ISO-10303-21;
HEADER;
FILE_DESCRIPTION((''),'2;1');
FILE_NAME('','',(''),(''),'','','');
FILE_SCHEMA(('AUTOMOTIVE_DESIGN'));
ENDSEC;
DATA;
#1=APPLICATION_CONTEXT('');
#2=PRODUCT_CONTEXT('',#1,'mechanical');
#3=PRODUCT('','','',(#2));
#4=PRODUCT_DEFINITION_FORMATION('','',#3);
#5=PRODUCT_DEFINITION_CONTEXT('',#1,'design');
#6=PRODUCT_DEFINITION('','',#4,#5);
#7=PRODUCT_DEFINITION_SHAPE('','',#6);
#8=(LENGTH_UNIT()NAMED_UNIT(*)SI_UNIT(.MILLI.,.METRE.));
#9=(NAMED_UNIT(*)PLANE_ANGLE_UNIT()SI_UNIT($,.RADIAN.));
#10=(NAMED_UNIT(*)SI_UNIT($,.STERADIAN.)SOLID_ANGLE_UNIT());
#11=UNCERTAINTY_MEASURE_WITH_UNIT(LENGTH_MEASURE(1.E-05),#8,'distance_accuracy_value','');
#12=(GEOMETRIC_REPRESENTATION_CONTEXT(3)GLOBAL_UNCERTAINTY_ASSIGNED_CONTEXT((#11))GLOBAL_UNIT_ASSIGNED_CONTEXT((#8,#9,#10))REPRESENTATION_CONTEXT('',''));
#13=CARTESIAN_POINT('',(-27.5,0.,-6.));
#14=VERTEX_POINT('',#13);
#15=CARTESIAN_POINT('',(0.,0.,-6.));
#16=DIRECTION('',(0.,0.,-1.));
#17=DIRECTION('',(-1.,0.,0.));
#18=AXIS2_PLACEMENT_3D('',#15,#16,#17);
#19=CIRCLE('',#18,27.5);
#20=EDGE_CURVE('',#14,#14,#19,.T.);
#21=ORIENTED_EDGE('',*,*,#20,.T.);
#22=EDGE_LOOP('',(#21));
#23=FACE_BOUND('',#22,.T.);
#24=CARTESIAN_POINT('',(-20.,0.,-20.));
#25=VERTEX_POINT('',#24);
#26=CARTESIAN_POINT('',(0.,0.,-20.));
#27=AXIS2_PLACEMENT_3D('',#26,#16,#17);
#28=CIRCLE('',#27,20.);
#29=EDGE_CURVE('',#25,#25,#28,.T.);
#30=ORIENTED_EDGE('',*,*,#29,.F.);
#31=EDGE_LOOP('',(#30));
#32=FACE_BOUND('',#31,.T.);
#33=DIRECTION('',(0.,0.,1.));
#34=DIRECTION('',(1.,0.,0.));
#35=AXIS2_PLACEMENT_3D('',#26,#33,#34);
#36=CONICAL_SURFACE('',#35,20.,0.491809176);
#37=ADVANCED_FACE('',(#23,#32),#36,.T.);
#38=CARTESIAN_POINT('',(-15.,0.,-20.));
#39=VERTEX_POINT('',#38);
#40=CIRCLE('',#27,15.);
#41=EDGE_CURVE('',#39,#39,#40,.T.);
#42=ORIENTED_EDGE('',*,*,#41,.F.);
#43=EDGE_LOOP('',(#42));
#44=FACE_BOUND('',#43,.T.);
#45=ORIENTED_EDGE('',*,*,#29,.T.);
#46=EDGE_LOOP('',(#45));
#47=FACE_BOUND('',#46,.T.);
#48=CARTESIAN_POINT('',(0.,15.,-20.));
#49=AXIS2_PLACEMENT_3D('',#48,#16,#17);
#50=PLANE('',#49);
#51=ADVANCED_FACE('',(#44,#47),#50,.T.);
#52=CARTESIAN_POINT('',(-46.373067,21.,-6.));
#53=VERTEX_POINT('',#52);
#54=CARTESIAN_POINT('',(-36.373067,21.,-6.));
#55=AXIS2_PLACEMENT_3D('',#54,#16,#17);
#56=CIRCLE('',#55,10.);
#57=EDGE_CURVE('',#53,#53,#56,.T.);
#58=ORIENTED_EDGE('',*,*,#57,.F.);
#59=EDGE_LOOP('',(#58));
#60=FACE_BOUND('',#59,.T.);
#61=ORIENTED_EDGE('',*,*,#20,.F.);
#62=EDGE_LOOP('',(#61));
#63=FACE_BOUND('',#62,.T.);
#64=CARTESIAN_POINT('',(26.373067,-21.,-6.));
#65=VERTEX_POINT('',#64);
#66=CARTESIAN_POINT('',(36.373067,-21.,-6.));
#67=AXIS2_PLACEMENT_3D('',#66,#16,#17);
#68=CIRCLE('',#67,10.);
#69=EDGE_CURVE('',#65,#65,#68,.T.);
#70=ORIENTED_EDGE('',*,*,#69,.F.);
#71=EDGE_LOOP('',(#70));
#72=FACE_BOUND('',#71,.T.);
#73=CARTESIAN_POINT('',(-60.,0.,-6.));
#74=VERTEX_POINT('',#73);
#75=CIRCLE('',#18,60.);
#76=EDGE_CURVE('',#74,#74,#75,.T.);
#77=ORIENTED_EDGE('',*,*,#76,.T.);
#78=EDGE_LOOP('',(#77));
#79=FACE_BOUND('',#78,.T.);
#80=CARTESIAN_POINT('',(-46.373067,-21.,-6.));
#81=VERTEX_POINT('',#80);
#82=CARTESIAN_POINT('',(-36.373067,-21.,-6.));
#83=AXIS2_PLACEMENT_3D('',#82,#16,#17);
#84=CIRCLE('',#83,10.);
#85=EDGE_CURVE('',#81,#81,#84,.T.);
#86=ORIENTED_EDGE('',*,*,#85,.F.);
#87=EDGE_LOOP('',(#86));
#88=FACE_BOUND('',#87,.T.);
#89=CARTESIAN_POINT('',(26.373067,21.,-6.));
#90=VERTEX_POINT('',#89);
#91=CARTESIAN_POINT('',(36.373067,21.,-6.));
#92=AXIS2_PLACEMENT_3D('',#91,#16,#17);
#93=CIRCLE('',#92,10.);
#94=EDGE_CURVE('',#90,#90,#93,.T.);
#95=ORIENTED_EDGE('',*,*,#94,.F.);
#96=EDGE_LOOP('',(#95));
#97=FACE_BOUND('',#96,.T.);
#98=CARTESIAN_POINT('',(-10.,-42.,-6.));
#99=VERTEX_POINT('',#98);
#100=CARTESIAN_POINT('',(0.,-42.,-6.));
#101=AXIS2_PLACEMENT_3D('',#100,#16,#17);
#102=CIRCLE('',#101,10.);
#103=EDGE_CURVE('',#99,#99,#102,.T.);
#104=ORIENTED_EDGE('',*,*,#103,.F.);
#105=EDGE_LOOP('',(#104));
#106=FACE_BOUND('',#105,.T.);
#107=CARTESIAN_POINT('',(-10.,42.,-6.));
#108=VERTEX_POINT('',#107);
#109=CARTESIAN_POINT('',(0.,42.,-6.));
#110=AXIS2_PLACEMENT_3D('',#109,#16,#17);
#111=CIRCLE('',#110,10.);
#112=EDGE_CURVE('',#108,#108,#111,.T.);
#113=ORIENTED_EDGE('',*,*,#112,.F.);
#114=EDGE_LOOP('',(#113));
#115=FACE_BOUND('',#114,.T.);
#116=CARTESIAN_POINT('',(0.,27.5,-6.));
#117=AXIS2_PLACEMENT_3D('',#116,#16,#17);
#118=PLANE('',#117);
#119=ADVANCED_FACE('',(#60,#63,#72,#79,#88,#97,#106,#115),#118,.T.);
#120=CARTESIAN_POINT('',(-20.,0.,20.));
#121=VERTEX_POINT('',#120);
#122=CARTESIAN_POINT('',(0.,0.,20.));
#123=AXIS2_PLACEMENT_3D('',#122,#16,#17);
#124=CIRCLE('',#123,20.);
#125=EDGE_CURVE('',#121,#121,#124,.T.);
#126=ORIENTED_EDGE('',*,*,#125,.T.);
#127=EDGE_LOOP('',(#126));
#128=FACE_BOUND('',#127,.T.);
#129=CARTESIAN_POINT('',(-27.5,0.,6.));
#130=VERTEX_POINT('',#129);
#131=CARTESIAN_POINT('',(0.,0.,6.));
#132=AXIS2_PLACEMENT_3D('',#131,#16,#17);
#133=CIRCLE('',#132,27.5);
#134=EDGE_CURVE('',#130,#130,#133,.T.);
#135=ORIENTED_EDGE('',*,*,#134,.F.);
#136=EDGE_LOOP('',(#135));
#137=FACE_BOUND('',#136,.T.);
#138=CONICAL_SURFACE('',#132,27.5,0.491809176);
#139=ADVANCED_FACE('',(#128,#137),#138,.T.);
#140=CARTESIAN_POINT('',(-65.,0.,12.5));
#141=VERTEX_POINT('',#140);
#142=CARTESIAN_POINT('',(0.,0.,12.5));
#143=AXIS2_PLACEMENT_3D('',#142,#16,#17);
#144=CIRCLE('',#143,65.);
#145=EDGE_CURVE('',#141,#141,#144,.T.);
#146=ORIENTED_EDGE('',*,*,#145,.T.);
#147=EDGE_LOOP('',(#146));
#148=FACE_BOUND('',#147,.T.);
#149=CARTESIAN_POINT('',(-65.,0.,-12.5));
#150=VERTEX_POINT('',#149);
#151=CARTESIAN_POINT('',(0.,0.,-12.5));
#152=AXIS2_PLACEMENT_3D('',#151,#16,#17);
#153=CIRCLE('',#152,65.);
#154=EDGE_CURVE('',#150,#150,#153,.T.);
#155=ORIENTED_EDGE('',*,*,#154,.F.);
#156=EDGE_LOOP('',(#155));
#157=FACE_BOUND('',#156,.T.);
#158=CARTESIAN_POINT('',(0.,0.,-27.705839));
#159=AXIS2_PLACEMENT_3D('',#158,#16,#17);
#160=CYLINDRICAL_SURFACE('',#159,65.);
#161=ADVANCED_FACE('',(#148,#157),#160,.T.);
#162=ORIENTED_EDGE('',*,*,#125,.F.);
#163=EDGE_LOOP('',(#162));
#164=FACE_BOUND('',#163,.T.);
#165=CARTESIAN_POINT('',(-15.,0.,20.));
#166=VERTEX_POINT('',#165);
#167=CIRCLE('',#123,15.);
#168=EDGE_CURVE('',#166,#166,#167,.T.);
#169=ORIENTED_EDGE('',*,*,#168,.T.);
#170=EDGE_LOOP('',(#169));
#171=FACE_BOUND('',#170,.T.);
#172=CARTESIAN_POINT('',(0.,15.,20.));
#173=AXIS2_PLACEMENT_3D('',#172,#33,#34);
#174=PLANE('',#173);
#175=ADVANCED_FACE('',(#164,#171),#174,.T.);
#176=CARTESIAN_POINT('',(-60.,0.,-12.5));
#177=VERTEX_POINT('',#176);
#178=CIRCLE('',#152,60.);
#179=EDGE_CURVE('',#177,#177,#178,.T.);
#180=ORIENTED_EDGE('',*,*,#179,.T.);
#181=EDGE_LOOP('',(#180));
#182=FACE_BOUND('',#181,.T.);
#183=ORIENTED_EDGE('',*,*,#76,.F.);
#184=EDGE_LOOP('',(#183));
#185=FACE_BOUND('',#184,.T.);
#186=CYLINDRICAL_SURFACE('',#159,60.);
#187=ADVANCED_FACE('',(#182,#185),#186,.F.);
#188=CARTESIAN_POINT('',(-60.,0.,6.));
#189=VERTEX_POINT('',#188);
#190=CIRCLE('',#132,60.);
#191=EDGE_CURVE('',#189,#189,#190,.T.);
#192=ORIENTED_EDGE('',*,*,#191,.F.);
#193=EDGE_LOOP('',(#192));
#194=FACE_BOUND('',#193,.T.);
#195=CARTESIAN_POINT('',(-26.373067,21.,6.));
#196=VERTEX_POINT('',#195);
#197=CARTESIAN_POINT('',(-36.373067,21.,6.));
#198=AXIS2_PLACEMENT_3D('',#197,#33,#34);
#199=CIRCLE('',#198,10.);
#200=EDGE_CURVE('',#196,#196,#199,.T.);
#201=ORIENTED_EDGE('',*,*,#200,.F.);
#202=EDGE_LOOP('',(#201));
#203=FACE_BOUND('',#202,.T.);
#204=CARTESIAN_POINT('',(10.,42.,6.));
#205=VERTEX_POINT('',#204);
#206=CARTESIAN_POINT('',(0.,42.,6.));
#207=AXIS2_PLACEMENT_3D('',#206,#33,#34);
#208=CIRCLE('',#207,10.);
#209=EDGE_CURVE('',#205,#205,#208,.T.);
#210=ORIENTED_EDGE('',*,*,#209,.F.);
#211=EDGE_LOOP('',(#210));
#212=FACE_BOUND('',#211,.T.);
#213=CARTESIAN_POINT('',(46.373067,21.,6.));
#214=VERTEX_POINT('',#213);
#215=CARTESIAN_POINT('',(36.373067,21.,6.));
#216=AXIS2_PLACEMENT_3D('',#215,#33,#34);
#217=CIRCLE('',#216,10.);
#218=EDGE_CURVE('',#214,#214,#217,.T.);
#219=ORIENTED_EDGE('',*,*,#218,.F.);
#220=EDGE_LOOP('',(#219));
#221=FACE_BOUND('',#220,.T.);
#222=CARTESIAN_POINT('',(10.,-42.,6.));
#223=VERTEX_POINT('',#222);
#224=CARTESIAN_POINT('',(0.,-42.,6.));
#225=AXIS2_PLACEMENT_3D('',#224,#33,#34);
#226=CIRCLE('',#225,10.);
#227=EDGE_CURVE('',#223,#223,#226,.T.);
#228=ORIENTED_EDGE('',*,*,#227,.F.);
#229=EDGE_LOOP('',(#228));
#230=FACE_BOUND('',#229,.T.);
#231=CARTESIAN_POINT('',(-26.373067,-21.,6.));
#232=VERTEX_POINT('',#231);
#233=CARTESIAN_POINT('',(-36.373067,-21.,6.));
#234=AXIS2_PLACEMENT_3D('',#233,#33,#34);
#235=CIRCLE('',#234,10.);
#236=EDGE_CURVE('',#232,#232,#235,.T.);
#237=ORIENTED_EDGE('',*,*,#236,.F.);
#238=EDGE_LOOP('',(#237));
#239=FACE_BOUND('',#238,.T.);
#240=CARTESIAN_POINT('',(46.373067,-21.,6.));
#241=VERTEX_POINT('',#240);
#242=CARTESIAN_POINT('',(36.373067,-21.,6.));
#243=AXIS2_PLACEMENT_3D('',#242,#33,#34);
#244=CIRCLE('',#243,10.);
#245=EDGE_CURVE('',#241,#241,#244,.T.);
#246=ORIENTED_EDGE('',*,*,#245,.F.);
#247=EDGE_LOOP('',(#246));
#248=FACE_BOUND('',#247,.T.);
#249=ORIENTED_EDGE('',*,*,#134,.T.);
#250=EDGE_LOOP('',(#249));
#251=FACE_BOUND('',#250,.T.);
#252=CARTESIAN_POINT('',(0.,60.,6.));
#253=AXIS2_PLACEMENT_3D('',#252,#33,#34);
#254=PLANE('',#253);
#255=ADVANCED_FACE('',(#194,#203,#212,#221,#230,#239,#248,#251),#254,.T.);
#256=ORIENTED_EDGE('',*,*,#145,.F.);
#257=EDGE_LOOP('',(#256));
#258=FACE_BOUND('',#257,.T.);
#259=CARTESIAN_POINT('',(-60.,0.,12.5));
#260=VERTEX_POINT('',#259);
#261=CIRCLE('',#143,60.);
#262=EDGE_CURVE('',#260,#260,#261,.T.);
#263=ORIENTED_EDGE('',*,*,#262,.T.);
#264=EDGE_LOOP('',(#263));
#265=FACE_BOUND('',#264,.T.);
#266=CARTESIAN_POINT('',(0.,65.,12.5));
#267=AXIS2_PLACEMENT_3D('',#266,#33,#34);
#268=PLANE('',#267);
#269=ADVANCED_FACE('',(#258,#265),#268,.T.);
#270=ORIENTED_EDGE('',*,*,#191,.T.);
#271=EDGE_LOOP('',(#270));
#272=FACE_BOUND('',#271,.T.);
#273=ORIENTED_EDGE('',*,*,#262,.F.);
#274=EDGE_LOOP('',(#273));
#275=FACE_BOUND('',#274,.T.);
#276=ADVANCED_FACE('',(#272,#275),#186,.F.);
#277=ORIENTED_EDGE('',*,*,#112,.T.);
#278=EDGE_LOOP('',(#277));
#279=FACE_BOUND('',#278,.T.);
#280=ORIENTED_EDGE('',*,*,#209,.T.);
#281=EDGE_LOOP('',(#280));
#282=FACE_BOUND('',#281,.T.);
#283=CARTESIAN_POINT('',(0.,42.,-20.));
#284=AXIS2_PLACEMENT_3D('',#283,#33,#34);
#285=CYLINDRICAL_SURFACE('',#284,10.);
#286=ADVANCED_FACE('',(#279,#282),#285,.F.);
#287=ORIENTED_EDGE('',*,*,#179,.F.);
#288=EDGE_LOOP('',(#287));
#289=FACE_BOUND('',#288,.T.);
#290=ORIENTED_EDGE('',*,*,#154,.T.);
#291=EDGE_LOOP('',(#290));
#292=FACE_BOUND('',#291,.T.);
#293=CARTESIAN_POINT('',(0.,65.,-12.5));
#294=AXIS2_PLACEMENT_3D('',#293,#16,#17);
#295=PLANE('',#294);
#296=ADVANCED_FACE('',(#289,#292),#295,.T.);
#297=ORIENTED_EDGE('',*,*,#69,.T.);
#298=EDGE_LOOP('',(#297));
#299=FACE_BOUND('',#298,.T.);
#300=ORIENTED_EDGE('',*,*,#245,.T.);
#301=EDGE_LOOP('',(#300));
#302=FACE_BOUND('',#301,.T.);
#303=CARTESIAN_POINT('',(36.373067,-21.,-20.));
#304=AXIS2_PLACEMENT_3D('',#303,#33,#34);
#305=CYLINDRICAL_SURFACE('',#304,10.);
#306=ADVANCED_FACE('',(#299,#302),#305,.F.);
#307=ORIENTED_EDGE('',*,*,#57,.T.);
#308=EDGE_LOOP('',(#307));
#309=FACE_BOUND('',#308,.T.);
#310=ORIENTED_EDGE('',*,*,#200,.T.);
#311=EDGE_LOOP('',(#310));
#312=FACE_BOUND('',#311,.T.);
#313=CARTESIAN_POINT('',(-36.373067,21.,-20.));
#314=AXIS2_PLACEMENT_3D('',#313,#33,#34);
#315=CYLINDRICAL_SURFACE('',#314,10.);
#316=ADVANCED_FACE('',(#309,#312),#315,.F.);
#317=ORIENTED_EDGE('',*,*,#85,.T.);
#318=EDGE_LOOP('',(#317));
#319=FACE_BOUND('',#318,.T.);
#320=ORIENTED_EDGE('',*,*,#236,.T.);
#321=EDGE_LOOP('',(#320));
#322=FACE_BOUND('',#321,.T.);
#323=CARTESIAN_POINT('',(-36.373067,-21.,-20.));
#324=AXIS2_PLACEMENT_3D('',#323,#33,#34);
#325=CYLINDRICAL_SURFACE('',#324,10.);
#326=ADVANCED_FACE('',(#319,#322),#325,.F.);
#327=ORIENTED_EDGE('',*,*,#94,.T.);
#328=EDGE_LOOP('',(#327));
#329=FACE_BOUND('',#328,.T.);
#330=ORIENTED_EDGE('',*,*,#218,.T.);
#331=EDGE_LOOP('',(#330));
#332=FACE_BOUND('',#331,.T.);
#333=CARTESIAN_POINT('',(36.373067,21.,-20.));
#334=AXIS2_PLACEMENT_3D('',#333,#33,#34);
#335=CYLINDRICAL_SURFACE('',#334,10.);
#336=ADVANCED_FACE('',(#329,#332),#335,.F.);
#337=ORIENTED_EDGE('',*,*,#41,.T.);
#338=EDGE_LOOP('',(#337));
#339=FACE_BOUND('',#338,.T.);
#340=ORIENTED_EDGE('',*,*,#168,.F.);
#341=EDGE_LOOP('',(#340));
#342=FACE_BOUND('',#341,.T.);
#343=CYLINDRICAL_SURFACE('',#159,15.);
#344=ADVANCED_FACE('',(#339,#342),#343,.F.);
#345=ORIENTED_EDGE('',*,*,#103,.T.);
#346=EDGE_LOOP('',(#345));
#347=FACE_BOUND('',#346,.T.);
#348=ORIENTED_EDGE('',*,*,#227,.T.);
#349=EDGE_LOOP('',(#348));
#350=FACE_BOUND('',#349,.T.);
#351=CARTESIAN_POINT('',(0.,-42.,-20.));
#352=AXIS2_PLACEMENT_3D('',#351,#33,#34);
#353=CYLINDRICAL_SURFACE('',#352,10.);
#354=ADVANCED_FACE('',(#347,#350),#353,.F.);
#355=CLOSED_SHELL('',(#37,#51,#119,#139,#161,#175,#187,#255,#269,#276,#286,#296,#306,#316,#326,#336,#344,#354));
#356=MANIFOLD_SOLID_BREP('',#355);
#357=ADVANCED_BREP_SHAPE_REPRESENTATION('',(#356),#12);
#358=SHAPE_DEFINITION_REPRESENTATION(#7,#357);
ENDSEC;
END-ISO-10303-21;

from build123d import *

# Parameters (mm, degrees)
CUT_EXTRUDE1_DEPTH      = 96.530099969
CUT_EXTRUDE1_DEPTH_BACK = 96.530099969
SKETCH2_R               = 10


with BuildPart() as part:
    # Sketch1 → Revolve1 (revolve)
    with BuildSketch(Plane(origin=(0, 0, 0), x_dir=(0, 0, -1), z_dir=(1, 0, 0)), mode=Mode.PRIVATE) as revolve1_sk:
        Polygon((12.5, 65), (-12.5, 65), (-12.5, 60), (-6, 60), (-6, 41.964344451), (-6, 27.5), (-20, 20), (-20, 15), (20, 15), (20, 20), (6, 27.5), (6, 41.964344451), (6, 60), (12.5, 60), align=None)
    revolve(revolve1_sk.sketch.rotate(Axis((0, 0, -27.705838771), (0, 0, 1)), 90), axis=Axis((0, 0, -27.705838771), (0, 0, 1)))

    # Sketch2 → Cut-Extrude1 (cut, two sides: drawn at the far end of the back side and taken through both)
    with BuildSketch(Plane.XY.offset(6).offset(-CUT_EXTRUDE1_DEPTH_BACK)):
        with Locations((0, 42)):
            Circle(SKETCH2_R)
        with Locations((36.373066959, 21)):
            Circle(SKETCH2_R)
        with Locations((36.373066959, -21)):
            Circle(SKETCH2_R)
        with Locations((0, -42)):
            Circle(SKETCH2_R)
        with Locations((-36.373066959, -21)):
            Circle(SKETCH2_R)
        with Locations((-36.373066959, 21)):
            Circle(SKETCH2_R)
    extrude(amount=CUT_EXTRUDE1_DEPTH + CUT_EXTRUDE1_DEPTH_BACK, mode=Mode.SUBTRACT)


solid = part.part
